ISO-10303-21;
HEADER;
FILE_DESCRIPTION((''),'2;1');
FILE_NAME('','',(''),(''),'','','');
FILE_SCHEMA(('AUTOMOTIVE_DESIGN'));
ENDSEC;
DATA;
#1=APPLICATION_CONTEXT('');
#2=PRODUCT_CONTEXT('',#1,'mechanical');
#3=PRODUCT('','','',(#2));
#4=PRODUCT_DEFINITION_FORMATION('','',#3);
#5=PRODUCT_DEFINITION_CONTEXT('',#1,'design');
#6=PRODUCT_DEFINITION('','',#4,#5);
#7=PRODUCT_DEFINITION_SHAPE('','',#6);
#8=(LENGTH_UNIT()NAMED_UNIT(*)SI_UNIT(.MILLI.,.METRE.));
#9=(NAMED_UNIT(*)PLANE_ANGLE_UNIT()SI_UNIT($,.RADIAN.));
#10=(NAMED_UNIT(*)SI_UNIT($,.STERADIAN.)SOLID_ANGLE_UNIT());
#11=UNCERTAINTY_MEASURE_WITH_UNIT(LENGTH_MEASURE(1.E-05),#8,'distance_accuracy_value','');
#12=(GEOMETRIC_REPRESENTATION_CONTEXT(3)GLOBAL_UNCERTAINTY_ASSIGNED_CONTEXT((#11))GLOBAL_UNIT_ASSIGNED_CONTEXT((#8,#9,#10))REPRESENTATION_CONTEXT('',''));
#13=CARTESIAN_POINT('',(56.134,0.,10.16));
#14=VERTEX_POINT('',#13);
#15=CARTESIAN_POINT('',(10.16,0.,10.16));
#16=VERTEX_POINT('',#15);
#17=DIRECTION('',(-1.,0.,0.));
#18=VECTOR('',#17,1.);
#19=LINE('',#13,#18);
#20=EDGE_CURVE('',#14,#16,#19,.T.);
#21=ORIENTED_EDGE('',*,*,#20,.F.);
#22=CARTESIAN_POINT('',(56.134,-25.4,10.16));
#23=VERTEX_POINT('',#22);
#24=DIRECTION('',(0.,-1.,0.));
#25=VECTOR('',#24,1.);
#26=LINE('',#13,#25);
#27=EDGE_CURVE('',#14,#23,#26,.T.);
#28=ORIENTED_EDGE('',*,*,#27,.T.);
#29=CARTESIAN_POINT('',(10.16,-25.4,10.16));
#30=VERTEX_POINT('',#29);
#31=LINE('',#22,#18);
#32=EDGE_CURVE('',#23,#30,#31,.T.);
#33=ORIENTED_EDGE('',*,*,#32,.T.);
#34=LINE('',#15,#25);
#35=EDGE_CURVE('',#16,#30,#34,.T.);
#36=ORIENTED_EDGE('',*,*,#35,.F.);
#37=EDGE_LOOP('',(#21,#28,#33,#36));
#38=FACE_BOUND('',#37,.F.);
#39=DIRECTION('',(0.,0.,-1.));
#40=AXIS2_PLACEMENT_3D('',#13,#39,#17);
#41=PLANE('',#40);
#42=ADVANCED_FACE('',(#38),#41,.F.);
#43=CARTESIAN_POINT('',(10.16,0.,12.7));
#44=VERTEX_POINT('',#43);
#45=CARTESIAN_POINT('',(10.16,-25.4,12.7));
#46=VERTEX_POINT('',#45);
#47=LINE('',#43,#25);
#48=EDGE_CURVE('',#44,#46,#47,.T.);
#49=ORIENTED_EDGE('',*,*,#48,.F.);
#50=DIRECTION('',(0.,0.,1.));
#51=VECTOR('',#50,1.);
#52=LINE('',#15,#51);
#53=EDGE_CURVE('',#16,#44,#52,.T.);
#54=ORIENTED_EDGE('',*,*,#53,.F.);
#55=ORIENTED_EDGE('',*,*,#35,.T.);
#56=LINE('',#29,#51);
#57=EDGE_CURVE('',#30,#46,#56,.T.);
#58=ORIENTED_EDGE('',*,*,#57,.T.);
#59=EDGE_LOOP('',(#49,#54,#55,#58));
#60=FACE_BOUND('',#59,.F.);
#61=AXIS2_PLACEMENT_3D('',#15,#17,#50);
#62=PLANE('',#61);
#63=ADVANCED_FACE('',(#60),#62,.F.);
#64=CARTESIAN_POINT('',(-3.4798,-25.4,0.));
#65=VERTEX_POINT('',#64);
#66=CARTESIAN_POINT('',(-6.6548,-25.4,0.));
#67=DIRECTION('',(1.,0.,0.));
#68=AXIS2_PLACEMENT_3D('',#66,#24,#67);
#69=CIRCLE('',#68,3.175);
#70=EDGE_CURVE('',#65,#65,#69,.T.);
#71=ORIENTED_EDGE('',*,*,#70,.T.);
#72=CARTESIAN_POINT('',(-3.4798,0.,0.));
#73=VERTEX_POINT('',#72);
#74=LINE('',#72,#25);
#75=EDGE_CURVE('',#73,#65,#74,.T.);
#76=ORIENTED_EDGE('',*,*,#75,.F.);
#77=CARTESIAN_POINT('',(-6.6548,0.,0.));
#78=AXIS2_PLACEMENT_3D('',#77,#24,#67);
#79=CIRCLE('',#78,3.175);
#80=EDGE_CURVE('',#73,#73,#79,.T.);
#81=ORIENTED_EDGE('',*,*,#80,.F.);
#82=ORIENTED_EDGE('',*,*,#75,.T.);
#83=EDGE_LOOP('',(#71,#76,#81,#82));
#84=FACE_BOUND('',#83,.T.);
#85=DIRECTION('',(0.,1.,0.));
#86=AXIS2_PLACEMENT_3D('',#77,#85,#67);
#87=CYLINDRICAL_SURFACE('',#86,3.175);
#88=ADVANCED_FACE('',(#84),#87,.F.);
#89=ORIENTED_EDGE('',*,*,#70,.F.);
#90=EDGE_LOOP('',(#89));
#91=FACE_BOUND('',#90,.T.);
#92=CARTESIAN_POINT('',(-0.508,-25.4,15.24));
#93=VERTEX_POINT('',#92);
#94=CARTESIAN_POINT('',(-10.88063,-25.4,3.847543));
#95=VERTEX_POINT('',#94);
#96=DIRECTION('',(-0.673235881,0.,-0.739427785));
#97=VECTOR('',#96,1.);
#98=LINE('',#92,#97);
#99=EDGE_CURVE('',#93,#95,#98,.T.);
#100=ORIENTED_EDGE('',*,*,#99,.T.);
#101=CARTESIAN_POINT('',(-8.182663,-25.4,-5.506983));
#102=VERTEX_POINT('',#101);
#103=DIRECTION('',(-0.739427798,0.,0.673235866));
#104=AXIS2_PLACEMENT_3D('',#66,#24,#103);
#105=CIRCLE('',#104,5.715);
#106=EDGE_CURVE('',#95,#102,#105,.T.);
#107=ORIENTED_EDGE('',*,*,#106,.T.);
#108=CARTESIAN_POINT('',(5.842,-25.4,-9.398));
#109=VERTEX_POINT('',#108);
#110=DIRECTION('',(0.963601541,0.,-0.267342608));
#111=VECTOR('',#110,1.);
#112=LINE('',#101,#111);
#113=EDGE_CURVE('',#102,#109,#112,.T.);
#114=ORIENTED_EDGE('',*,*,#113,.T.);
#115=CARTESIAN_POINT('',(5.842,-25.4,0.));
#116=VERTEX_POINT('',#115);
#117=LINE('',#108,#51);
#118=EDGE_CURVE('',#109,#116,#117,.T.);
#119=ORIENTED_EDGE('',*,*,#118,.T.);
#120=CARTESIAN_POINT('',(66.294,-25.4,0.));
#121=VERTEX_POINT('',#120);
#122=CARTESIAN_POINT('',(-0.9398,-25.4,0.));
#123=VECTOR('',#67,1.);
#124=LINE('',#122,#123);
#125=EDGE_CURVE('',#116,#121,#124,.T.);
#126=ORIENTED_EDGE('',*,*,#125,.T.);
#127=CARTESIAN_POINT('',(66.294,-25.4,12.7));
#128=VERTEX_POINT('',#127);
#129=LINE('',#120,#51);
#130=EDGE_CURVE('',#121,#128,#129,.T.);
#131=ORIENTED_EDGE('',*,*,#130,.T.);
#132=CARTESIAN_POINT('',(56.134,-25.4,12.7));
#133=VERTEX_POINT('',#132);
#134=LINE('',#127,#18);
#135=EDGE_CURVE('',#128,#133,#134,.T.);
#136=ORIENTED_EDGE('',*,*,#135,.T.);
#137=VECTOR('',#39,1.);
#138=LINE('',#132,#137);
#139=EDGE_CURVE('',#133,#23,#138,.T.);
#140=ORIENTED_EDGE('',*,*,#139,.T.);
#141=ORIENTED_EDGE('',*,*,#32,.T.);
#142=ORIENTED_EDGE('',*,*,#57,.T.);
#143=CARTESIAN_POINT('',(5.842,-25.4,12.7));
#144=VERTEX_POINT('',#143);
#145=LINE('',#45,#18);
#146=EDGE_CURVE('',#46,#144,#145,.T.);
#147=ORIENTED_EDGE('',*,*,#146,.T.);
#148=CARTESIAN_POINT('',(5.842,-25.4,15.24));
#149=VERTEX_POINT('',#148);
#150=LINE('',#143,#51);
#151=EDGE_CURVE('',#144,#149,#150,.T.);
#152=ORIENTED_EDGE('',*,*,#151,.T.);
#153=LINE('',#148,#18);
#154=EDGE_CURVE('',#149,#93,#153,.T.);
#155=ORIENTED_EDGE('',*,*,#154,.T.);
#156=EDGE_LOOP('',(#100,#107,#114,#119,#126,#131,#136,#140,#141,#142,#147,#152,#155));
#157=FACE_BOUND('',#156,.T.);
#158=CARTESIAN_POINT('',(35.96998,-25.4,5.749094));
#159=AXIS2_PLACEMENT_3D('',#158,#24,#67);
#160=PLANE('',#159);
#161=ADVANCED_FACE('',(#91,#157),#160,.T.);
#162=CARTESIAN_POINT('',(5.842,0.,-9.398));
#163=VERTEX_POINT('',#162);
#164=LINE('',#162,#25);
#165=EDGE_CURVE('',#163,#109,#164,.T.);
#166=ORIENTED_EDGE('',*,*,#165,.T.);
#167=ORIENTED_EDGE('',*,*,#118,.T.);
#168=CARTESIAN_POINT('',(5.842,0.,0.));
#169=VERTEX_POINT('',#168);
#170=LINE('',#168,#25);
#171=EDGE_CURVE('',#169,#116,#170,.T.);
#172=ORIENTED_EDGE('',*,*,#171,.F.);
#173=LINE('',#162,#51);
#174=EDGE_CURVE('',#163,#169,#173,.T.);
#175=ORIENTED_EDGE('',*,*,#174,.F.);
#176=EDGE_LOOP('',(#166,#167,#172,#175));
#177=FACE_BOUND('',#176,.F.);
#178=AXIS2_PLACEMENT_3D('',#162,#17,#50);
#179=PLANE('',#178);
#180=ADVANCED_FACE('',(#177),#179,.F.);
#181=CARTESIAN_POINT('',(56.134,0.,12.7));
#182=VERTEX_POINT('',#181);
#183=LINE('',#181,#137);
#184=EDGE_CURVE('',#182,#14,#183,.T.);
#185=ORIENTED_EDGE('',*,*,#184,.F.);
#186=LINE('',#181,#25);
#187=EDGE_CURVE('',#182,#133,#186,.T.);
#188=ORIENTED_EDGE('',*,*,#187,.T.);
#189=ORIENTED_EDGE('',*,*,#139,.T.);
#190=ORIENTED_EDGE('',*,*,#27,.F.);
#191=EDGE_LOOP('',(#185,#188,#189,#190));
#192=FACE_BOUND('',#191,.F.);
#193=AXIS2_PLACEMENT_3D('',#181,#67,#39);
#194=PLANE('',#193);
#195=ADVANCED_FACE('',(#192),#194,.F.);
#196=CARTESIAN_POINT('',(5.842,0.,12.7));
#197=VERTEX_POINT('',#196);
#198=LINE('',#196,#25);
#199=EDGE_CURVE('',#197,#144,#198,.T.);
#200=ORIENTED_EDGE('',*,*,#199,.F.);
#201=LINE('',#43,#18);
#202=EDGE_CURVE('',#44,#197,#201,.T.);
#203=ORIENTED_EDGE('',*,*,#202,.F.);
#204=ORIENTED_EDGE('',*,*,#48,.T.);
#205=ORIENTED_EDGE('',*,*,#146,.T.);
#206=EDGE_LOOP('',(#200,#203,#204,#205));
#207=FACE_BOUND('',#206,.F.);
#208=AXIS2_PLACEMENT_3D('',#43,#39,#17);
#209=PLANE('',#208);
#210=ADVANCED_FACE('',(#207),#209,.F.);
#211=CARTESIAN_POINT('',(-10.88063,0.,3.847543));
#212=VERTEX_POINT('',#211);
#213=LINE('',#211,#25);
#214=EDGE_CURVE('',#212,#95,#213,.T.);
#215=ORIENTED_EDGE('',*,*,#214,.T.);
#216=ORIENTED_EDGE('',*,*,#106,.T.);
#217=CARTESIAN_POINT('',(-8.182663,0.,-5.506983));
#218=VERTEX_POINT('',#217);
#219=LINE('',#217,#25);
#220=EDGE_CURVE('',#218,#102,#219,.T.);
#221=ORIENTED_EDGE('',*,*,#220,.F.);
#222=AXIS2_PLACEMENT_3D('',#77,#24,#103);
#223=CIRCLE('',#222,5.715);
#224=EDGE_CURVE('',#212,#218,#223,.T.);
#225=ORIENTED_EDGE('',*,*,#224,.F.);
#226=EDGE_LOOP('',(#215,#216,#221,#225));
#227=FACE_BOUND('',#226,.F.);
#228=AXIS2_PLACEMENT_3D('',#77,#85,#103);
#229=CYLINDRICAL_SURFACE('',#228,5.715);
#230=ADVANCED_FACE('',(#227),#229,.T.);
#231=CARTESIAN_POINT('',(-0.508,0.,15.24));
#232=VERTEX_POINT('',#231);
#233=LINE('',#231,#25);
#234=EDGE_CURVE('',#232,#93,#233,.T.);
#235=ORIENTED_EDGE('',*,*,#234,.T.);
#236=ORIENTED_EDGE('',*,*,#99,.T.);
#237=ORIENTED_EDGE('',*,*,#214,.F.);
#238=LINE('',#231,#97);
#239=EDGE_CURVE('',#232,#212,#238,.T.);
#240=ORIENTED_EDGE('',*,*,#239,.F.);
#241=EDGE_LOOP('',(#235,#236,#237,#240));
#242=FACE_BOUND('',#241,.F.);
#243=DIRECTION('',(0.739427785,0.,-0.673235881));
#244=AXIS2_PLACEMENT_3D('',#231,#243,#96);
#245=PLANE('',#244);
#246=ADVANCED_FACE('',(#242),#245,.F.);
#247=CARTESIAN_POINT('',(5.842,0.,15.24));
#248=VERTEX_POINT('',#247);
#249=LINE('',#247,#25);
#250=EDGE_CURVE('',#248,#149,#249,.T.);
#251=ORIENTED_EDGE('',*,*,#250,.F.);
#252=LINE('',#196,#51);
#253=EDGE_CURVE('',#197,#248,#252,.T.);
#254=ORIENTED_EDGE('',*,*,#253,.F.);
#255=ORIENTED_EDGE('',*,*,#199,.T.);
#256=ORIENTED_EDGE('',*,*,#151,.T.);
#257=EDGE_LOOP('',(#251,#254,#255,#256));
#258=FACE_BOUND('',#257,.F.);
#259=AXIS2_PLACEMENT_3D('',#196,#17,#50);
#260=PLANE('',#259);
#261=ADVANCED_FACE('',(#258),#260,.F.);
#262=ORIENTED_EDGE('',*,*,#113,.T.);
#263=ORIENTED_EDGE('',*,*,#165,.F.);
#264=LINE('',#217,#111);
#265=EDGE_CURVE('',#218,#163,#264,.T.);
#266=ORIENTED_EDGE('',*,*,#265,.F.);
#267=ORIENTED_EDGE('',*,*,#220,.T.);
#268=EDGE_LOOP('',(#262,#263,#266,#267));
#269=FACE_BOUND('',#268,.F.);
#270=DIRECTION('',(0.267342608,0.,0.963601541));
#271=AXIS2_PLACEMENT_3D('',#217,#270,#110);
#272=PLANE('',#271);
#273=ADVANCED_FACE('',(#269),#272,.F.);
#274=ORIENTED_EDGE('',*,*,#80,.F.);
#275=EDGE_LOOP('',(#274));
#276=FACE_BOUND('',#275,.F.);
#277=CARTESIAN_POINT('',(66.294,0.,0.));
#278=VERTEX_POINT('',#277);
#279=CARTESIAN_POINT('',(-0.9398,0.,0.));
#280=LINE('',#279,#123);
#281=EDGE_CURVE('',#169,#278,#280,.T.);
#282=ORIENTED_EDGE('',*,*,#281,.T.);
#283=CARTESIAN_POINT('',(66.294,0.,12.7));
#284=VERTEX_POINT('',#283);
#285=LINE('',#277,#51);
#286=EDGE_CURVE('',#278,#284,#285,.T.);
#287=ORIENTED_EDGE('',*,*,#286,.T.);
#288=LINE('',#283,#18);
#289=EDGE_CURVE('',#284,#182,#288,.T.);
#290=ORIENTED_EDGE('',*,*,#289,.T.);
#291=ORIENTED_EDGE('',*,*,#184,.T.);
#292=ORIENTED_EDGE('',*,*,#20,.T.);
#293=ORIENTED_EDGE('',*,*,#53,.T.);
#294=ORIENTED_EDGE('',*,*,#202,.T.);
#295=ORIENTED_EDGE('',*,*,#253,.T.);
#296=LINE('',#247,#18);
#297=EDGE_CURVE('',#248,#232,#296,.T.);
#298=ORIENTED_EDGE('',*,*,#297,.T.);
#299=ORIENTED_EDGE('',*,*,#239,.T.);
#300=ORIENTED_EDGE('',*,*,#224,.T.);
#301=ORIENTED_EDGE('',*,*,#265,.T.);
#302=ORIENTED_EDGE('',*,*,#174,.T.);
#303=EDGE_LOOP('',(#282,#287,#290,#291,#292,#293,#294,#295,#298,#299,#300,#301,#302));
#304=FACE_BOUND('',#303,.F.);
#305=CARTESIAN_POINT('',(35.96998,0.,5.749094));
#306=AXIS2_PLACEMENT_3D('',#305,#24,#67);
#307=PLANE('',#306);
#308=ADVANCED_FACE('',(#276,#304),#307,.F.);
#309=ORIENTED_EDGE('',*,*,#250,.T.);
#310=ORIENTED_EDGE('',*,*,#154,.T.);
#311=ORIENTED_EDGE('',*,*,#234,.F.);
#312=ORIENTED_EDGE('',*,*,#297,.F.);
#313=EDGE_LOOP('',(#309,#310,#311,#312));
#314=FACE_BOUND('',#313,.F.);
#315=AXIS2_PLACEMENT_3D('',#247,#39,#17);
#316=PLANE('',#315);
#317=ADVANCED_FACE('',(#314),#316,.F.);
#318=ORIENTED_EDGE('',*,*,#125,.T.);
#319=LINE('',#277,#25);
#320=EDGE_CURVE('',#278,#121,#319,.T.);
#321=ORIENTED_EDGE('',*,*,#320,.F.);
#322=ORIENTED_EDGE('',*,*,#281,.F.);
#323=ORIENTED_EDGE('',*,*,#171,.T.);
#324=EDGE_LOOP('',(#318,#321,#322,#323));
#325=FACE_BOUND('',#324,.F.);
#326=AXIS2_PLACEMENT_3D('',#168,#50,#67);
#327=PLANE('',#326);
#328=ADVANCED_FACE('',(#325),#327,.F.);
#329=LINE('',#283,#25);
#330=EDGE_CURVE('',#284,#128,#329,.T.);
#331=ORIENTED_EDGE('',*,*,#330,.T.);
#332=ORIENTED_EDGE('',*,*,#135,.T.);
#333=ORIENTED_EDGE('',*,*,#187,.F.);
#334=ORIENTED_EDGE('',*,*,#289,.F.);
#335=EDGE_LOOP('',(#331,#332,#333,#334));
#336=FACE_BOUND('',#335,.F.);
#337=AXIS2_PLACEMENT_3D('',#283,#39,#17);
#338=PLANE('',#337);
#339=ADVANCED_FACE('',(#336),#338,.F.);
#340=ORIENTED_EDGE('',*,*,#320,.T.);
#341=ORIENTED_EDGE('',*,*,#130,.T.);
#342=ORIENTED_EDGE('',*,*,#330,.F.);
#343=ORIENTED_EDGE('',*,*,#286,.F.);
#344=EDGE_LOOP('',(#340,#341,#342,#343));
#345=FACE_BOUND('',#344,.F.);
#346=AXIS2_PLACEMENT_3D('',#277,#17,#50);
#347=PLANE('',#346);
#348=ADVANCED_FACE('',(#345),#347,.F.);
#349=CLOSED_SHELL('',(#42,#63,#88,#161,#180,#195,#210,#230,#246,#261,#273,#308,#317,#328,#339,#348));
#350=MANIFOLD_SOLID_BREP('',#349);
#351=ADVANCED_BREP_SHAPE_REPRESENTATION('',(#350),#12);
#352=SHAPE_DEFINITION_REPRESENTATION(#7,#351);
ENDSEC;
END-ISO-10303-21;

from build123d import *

# Parameters (mm, degrees)
F0_W     = 5.842
F0_H     = 12.7
F0_R     = 3.175
F1_DEPTH = 25.4


with BuildPart() as f1:
    # F0 (on Front) → F1 (new body)
    with BuildSketch(Plane.XZ):
        Polygon((5.842, 12.7), (5.842, 0), (66.294, 0), (66.294, 12.7), (56.134, 12.7), (56.134, 10.16), (10.16, 10.16), (10.16, 12.7), align=None)
        with Locations((2.921, 6.35)):
            Rectangle(F0_W, F0_H)
        with BuildLine():
            Line((-0.9398, 0), (0, 0))
            Line((0, 0), (0, 12.7))
            Line((0, 12.7), (5.842, 12.7))
            Line((5.842, 12.7), (5.842, 15.24))
            Line((5.842, 15.24), (-0.508, 15.24))
            Line((-0.508, 15.24), (-10.88063, 3.847543))
            ThreePointArc((-10.88063, 3.847543), (-4.591961, 5.329721), (-0.9398, 0))
        make_face()
        with BuildLine():
            Line((5.842, 0), (0, 0))
            Line((0, 0), (-0.9398, 0))
            ThreePointArc((-0.9398, 0), (-3.195791, -4.549339), (-8.182663, -5.506983))
            Line((-8.182663, -5.506983), (5.842, -9.398))
            Line((5.842, -9.398), (5.842, 0))
        make_face()
        with BuildLine():
            ThreePointArc((-8.182663, -5.506983), (-3.195791, -4.549339), (-0.9398, 0))
            ThreePointArc((-0.9398, 0), (-4.591961, 5.329721), (-10.88063, 3.847543))
            ThreePointArc((-10.88063, 3.847543), (-12.145978, -1.583727), (-8.182663, -5.506983))
        make_face()
        with Locations((-6.6548, 0)):
            Circle(F0_R, mode=Mode.SUBTRACT)
    extrude(amount=F1_DEPTH)


solid = f1.part
